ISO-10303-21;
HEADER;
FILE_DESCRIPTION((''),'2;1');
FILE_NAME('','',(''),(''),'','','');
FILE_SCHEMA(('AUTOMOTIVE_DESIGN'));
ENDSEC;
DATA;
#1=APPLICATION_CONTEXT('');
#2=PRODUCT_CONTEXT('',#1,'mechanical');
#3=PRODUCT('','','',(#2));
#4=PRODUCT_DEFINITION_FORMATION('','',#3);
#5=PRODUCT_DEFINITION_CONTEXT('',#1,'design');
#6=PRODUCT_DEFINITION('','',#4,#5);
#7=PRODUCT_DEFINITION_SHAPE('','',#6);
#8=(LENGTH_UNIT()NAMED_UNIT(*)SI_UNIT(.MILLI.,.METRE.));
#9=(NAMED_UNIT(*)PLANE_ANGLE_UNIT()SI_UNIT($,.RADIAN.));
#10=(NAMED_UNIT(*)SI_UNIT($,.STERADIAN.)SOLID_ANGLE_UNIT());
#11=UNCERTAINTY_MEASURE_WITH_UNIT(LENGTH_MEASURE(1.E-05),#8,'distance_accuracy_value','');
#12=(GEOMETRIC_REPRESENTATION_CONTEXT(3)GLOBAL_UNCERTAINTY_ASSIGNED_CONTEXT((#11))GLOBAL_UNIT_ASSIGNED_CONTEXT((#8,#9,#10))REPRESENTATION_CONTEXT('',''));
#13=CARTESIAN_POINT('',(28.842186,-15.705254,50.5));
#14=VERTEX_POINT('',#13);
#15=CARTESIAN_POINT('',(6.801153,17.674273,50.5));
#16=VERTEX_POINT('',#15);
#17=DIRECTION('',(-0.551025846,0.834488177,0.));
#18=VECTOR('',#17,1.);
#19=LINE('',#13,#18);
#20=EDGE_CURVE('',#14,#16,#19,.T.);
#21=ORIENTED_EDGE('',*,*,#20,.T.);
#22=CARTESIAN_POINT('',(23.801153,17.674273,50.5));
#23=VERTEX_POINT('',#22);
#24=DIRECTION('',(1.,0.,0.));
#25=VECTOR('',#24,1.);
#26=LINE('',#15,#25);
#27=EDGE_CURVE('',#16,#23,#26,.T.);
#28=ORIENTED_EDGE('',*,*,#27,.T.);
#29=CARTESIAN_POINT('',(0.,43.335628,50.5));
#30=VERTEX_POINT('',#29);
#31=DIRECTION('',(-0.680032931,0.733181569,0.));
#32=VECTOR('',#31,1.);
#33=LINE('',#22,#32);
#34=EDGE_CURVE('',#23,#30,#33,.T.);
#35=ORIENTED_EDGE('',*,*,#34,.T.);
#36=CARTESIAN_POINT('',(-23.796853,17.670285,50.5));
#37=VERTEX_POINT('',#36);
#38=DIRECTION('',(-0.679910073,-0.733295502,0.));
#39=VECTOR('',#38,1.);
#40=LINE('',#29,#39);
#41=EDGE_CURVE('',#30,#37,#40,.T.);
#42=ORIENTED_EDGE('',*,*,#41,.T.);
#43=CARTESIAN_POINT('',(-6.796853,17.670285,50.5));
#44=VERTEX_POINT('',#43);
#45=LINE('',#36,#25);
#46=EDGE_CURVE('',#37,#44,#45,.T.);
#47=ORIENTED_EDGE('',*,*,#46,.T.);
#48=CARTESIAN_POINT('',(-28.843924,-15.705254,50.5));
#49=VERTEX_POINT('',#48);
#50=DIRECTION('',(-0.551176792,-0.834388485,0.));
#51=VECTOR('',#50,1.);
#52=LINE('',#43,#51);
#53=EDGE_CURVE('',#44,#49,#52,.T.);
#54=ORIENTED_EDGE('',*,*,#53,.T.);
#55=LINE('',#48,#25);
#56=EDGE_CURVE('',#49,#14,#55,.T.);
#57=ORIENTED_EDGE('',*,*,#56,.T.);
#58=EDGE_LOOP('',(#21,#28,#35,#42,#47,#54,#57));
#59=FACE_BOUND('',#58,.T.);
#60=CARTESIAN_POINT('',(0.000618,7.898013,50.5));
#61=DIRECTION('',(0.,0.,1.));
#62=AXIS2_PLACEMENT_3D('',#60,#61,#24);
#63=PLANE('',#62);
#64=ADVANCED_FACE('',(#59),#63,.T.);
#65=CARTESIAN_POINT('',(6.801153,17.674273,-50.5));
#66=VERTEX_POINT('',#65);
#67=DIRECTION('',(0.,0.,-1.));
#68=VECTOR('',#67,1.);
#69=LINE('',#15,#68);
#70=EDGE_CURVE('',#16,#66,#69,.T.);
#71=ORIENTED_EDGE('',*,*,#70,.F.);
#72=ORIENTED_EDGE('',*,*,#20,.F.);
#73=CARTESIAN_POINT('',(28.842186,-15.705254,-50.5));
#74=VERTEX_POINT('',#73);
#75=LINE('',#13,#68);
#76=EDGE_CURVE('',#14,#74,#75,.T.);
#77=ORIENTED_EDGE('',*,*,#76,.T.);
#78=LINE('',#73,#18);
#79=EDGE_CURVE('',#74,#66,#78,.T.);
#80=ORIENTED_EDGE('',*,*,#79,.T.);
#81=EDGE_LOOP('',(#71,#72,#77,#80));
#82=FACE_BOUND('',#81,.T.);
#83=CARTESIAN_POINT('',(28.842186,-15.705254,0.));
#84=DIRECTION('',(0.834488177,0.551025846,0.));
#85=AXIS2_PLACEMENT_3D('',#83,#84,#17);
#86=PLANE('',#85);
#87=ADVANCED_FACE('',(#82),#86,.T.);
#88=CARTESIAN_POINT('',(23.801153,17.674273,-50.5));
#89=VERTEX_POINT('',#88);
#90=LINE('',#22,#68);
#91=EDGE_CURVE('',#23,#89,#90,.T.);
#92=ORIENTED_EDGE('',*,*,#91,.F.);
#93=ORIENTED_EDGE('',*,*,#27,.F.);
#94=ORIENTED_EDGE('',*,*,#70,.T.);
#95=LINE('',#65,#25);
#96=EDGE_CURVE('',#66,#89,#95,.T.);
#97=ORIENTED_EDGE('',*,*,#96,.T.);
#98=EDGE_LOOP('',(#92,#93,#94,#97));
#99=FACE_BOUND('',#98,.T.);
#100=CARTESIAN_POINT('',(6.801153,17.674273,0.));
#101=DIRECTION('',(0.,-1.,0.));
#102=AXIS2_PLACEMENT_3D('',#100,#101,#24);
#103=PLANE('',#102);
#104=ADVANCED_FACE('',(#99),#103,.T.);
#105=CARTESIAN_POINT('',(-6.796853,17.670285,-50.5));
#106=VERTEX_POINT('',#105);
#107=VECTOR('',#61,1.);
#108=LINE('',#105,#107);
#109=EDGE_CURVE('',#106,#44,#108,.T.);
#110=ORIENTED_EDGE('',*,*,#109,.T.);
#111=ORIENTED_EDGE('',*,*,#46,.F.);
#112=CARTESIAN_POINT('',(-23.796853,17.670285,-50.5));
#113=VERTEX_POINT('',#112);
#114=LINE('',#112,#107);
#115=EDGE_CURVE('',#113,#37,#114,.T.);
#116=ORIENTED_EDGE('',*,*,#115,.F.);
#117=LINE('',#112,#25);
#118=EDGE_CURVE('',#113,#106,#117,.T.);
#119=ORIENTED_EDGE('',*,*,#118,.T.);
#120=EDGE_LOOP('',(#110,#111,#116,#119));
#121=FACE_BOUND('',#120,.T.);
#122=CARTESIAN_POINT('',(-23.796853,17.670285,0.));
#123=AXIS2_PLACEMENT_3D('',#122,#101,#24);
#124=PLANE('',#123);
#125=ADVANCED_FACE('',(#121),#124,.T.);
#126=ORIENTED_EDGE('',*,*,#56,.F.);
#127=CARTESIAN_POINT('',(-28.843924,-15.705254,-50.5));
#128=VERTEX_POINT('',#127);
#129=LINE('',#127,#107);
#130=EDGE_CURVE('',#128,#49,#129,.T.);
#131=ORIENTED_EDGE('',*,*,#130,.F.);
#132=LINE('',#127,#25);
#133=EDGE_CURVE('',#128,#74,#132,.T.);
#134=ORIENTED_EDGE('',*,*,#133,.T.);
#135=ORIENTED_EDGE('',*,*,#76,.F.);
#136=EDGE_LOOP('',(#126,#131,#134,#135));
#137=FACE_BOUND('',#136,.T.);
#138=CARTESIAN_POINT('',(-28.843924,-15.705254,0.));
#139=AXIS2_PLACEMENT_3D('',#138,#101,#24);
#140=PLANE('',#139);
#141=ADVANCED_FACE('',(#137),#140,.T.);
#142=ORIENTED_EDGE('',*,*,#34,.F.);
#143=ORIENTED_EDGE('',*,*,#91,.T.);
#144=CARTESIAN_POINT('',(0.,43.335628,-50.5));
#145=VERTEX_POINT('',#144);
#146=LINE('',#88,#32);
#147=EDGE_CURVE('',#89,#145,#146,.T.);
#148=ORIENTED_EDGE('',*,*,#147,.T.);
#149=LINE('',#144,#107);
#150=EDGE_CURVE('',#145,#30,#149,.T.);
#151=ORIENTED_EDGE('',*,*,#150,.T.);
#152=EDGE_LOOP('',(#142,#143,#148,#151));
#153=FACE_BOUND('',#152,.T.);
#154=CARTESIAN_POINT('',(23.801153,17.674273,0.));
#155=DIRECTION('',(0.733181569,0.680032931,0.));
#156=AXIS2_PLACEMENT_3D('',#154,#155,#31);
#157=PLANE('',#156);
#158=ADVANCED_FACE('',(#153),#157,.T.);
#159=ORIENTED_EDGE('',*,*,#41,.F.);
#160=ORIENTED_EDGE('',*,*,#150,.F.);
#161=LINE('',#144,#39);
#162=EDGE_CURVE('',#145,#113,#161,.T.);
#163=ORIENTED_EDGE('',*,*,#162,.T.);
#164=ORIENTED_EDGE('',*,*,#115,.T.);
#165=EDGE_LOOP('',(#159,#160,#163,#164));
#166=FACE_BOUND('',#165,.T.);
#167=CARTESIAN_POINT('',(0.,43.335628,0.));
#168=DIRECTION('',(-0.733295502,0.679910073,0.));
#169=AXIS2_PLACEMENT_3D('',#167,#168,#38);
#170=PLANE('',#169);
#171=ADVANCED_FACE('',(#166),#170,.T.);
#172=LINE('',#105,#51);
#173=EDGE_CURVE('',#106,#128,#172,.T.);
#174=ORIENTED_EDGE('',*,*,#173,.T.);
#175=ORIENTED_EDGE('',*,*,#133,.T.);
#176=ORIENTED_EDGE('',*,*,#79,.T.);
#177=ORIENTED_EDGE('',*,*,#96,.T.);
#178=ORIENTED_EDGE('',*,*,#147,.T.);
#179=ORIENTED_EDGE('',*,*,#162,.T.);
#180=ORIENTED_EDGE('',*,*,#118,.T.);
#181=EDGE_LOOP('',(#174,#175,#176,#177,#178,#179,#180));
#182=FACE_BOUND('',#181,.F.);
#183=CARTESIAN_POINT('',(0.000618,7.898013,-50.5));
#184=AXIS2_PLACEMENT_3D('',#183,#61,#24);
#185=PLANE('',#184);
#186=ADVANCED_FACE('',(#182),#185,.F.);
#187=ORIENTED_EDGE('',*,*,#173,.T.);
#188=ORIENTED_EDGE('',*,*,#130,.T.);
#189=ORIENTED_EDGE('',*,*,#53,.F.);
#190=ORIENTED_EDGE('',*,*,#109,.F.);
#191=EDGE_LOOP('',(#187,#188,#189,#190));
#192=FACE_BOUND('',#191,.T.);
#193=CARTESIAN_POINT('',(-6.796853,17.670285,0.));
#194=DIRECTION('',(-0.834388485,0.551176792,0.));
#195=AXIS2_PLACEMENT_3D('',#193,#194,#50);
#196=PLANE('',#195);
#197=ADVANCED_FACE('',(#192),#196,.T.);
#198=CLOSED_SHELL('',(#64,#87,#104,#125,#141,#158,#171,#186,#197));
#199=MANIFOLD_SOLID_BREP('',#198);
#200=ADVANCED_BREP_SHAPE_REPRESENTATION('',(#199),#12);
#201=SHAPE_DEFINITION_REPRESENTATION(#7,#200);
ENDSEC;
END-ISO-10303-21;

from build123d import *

# Parameters (mm, degrees)
F1_DEPTH = 50.5


with BuildPart() as f1:
    # F0 (on Top) → F1 (new body, symmetric)
    with BuildSketch(Plane.XY):
        Polygon((23.801152587, 17.6742726938), (0, 43.3356275983), (-23.7968525468, 17.6702850355), (-6.7968525468, 17.6702850355), (-28.843924215, -15.7052543737), (28.8421864272, -15.7052543737), (6.801152587, 17.6742726938), align=None)
    extrude(amount=F1_DEPTH, both=True)


solid = f1.part
